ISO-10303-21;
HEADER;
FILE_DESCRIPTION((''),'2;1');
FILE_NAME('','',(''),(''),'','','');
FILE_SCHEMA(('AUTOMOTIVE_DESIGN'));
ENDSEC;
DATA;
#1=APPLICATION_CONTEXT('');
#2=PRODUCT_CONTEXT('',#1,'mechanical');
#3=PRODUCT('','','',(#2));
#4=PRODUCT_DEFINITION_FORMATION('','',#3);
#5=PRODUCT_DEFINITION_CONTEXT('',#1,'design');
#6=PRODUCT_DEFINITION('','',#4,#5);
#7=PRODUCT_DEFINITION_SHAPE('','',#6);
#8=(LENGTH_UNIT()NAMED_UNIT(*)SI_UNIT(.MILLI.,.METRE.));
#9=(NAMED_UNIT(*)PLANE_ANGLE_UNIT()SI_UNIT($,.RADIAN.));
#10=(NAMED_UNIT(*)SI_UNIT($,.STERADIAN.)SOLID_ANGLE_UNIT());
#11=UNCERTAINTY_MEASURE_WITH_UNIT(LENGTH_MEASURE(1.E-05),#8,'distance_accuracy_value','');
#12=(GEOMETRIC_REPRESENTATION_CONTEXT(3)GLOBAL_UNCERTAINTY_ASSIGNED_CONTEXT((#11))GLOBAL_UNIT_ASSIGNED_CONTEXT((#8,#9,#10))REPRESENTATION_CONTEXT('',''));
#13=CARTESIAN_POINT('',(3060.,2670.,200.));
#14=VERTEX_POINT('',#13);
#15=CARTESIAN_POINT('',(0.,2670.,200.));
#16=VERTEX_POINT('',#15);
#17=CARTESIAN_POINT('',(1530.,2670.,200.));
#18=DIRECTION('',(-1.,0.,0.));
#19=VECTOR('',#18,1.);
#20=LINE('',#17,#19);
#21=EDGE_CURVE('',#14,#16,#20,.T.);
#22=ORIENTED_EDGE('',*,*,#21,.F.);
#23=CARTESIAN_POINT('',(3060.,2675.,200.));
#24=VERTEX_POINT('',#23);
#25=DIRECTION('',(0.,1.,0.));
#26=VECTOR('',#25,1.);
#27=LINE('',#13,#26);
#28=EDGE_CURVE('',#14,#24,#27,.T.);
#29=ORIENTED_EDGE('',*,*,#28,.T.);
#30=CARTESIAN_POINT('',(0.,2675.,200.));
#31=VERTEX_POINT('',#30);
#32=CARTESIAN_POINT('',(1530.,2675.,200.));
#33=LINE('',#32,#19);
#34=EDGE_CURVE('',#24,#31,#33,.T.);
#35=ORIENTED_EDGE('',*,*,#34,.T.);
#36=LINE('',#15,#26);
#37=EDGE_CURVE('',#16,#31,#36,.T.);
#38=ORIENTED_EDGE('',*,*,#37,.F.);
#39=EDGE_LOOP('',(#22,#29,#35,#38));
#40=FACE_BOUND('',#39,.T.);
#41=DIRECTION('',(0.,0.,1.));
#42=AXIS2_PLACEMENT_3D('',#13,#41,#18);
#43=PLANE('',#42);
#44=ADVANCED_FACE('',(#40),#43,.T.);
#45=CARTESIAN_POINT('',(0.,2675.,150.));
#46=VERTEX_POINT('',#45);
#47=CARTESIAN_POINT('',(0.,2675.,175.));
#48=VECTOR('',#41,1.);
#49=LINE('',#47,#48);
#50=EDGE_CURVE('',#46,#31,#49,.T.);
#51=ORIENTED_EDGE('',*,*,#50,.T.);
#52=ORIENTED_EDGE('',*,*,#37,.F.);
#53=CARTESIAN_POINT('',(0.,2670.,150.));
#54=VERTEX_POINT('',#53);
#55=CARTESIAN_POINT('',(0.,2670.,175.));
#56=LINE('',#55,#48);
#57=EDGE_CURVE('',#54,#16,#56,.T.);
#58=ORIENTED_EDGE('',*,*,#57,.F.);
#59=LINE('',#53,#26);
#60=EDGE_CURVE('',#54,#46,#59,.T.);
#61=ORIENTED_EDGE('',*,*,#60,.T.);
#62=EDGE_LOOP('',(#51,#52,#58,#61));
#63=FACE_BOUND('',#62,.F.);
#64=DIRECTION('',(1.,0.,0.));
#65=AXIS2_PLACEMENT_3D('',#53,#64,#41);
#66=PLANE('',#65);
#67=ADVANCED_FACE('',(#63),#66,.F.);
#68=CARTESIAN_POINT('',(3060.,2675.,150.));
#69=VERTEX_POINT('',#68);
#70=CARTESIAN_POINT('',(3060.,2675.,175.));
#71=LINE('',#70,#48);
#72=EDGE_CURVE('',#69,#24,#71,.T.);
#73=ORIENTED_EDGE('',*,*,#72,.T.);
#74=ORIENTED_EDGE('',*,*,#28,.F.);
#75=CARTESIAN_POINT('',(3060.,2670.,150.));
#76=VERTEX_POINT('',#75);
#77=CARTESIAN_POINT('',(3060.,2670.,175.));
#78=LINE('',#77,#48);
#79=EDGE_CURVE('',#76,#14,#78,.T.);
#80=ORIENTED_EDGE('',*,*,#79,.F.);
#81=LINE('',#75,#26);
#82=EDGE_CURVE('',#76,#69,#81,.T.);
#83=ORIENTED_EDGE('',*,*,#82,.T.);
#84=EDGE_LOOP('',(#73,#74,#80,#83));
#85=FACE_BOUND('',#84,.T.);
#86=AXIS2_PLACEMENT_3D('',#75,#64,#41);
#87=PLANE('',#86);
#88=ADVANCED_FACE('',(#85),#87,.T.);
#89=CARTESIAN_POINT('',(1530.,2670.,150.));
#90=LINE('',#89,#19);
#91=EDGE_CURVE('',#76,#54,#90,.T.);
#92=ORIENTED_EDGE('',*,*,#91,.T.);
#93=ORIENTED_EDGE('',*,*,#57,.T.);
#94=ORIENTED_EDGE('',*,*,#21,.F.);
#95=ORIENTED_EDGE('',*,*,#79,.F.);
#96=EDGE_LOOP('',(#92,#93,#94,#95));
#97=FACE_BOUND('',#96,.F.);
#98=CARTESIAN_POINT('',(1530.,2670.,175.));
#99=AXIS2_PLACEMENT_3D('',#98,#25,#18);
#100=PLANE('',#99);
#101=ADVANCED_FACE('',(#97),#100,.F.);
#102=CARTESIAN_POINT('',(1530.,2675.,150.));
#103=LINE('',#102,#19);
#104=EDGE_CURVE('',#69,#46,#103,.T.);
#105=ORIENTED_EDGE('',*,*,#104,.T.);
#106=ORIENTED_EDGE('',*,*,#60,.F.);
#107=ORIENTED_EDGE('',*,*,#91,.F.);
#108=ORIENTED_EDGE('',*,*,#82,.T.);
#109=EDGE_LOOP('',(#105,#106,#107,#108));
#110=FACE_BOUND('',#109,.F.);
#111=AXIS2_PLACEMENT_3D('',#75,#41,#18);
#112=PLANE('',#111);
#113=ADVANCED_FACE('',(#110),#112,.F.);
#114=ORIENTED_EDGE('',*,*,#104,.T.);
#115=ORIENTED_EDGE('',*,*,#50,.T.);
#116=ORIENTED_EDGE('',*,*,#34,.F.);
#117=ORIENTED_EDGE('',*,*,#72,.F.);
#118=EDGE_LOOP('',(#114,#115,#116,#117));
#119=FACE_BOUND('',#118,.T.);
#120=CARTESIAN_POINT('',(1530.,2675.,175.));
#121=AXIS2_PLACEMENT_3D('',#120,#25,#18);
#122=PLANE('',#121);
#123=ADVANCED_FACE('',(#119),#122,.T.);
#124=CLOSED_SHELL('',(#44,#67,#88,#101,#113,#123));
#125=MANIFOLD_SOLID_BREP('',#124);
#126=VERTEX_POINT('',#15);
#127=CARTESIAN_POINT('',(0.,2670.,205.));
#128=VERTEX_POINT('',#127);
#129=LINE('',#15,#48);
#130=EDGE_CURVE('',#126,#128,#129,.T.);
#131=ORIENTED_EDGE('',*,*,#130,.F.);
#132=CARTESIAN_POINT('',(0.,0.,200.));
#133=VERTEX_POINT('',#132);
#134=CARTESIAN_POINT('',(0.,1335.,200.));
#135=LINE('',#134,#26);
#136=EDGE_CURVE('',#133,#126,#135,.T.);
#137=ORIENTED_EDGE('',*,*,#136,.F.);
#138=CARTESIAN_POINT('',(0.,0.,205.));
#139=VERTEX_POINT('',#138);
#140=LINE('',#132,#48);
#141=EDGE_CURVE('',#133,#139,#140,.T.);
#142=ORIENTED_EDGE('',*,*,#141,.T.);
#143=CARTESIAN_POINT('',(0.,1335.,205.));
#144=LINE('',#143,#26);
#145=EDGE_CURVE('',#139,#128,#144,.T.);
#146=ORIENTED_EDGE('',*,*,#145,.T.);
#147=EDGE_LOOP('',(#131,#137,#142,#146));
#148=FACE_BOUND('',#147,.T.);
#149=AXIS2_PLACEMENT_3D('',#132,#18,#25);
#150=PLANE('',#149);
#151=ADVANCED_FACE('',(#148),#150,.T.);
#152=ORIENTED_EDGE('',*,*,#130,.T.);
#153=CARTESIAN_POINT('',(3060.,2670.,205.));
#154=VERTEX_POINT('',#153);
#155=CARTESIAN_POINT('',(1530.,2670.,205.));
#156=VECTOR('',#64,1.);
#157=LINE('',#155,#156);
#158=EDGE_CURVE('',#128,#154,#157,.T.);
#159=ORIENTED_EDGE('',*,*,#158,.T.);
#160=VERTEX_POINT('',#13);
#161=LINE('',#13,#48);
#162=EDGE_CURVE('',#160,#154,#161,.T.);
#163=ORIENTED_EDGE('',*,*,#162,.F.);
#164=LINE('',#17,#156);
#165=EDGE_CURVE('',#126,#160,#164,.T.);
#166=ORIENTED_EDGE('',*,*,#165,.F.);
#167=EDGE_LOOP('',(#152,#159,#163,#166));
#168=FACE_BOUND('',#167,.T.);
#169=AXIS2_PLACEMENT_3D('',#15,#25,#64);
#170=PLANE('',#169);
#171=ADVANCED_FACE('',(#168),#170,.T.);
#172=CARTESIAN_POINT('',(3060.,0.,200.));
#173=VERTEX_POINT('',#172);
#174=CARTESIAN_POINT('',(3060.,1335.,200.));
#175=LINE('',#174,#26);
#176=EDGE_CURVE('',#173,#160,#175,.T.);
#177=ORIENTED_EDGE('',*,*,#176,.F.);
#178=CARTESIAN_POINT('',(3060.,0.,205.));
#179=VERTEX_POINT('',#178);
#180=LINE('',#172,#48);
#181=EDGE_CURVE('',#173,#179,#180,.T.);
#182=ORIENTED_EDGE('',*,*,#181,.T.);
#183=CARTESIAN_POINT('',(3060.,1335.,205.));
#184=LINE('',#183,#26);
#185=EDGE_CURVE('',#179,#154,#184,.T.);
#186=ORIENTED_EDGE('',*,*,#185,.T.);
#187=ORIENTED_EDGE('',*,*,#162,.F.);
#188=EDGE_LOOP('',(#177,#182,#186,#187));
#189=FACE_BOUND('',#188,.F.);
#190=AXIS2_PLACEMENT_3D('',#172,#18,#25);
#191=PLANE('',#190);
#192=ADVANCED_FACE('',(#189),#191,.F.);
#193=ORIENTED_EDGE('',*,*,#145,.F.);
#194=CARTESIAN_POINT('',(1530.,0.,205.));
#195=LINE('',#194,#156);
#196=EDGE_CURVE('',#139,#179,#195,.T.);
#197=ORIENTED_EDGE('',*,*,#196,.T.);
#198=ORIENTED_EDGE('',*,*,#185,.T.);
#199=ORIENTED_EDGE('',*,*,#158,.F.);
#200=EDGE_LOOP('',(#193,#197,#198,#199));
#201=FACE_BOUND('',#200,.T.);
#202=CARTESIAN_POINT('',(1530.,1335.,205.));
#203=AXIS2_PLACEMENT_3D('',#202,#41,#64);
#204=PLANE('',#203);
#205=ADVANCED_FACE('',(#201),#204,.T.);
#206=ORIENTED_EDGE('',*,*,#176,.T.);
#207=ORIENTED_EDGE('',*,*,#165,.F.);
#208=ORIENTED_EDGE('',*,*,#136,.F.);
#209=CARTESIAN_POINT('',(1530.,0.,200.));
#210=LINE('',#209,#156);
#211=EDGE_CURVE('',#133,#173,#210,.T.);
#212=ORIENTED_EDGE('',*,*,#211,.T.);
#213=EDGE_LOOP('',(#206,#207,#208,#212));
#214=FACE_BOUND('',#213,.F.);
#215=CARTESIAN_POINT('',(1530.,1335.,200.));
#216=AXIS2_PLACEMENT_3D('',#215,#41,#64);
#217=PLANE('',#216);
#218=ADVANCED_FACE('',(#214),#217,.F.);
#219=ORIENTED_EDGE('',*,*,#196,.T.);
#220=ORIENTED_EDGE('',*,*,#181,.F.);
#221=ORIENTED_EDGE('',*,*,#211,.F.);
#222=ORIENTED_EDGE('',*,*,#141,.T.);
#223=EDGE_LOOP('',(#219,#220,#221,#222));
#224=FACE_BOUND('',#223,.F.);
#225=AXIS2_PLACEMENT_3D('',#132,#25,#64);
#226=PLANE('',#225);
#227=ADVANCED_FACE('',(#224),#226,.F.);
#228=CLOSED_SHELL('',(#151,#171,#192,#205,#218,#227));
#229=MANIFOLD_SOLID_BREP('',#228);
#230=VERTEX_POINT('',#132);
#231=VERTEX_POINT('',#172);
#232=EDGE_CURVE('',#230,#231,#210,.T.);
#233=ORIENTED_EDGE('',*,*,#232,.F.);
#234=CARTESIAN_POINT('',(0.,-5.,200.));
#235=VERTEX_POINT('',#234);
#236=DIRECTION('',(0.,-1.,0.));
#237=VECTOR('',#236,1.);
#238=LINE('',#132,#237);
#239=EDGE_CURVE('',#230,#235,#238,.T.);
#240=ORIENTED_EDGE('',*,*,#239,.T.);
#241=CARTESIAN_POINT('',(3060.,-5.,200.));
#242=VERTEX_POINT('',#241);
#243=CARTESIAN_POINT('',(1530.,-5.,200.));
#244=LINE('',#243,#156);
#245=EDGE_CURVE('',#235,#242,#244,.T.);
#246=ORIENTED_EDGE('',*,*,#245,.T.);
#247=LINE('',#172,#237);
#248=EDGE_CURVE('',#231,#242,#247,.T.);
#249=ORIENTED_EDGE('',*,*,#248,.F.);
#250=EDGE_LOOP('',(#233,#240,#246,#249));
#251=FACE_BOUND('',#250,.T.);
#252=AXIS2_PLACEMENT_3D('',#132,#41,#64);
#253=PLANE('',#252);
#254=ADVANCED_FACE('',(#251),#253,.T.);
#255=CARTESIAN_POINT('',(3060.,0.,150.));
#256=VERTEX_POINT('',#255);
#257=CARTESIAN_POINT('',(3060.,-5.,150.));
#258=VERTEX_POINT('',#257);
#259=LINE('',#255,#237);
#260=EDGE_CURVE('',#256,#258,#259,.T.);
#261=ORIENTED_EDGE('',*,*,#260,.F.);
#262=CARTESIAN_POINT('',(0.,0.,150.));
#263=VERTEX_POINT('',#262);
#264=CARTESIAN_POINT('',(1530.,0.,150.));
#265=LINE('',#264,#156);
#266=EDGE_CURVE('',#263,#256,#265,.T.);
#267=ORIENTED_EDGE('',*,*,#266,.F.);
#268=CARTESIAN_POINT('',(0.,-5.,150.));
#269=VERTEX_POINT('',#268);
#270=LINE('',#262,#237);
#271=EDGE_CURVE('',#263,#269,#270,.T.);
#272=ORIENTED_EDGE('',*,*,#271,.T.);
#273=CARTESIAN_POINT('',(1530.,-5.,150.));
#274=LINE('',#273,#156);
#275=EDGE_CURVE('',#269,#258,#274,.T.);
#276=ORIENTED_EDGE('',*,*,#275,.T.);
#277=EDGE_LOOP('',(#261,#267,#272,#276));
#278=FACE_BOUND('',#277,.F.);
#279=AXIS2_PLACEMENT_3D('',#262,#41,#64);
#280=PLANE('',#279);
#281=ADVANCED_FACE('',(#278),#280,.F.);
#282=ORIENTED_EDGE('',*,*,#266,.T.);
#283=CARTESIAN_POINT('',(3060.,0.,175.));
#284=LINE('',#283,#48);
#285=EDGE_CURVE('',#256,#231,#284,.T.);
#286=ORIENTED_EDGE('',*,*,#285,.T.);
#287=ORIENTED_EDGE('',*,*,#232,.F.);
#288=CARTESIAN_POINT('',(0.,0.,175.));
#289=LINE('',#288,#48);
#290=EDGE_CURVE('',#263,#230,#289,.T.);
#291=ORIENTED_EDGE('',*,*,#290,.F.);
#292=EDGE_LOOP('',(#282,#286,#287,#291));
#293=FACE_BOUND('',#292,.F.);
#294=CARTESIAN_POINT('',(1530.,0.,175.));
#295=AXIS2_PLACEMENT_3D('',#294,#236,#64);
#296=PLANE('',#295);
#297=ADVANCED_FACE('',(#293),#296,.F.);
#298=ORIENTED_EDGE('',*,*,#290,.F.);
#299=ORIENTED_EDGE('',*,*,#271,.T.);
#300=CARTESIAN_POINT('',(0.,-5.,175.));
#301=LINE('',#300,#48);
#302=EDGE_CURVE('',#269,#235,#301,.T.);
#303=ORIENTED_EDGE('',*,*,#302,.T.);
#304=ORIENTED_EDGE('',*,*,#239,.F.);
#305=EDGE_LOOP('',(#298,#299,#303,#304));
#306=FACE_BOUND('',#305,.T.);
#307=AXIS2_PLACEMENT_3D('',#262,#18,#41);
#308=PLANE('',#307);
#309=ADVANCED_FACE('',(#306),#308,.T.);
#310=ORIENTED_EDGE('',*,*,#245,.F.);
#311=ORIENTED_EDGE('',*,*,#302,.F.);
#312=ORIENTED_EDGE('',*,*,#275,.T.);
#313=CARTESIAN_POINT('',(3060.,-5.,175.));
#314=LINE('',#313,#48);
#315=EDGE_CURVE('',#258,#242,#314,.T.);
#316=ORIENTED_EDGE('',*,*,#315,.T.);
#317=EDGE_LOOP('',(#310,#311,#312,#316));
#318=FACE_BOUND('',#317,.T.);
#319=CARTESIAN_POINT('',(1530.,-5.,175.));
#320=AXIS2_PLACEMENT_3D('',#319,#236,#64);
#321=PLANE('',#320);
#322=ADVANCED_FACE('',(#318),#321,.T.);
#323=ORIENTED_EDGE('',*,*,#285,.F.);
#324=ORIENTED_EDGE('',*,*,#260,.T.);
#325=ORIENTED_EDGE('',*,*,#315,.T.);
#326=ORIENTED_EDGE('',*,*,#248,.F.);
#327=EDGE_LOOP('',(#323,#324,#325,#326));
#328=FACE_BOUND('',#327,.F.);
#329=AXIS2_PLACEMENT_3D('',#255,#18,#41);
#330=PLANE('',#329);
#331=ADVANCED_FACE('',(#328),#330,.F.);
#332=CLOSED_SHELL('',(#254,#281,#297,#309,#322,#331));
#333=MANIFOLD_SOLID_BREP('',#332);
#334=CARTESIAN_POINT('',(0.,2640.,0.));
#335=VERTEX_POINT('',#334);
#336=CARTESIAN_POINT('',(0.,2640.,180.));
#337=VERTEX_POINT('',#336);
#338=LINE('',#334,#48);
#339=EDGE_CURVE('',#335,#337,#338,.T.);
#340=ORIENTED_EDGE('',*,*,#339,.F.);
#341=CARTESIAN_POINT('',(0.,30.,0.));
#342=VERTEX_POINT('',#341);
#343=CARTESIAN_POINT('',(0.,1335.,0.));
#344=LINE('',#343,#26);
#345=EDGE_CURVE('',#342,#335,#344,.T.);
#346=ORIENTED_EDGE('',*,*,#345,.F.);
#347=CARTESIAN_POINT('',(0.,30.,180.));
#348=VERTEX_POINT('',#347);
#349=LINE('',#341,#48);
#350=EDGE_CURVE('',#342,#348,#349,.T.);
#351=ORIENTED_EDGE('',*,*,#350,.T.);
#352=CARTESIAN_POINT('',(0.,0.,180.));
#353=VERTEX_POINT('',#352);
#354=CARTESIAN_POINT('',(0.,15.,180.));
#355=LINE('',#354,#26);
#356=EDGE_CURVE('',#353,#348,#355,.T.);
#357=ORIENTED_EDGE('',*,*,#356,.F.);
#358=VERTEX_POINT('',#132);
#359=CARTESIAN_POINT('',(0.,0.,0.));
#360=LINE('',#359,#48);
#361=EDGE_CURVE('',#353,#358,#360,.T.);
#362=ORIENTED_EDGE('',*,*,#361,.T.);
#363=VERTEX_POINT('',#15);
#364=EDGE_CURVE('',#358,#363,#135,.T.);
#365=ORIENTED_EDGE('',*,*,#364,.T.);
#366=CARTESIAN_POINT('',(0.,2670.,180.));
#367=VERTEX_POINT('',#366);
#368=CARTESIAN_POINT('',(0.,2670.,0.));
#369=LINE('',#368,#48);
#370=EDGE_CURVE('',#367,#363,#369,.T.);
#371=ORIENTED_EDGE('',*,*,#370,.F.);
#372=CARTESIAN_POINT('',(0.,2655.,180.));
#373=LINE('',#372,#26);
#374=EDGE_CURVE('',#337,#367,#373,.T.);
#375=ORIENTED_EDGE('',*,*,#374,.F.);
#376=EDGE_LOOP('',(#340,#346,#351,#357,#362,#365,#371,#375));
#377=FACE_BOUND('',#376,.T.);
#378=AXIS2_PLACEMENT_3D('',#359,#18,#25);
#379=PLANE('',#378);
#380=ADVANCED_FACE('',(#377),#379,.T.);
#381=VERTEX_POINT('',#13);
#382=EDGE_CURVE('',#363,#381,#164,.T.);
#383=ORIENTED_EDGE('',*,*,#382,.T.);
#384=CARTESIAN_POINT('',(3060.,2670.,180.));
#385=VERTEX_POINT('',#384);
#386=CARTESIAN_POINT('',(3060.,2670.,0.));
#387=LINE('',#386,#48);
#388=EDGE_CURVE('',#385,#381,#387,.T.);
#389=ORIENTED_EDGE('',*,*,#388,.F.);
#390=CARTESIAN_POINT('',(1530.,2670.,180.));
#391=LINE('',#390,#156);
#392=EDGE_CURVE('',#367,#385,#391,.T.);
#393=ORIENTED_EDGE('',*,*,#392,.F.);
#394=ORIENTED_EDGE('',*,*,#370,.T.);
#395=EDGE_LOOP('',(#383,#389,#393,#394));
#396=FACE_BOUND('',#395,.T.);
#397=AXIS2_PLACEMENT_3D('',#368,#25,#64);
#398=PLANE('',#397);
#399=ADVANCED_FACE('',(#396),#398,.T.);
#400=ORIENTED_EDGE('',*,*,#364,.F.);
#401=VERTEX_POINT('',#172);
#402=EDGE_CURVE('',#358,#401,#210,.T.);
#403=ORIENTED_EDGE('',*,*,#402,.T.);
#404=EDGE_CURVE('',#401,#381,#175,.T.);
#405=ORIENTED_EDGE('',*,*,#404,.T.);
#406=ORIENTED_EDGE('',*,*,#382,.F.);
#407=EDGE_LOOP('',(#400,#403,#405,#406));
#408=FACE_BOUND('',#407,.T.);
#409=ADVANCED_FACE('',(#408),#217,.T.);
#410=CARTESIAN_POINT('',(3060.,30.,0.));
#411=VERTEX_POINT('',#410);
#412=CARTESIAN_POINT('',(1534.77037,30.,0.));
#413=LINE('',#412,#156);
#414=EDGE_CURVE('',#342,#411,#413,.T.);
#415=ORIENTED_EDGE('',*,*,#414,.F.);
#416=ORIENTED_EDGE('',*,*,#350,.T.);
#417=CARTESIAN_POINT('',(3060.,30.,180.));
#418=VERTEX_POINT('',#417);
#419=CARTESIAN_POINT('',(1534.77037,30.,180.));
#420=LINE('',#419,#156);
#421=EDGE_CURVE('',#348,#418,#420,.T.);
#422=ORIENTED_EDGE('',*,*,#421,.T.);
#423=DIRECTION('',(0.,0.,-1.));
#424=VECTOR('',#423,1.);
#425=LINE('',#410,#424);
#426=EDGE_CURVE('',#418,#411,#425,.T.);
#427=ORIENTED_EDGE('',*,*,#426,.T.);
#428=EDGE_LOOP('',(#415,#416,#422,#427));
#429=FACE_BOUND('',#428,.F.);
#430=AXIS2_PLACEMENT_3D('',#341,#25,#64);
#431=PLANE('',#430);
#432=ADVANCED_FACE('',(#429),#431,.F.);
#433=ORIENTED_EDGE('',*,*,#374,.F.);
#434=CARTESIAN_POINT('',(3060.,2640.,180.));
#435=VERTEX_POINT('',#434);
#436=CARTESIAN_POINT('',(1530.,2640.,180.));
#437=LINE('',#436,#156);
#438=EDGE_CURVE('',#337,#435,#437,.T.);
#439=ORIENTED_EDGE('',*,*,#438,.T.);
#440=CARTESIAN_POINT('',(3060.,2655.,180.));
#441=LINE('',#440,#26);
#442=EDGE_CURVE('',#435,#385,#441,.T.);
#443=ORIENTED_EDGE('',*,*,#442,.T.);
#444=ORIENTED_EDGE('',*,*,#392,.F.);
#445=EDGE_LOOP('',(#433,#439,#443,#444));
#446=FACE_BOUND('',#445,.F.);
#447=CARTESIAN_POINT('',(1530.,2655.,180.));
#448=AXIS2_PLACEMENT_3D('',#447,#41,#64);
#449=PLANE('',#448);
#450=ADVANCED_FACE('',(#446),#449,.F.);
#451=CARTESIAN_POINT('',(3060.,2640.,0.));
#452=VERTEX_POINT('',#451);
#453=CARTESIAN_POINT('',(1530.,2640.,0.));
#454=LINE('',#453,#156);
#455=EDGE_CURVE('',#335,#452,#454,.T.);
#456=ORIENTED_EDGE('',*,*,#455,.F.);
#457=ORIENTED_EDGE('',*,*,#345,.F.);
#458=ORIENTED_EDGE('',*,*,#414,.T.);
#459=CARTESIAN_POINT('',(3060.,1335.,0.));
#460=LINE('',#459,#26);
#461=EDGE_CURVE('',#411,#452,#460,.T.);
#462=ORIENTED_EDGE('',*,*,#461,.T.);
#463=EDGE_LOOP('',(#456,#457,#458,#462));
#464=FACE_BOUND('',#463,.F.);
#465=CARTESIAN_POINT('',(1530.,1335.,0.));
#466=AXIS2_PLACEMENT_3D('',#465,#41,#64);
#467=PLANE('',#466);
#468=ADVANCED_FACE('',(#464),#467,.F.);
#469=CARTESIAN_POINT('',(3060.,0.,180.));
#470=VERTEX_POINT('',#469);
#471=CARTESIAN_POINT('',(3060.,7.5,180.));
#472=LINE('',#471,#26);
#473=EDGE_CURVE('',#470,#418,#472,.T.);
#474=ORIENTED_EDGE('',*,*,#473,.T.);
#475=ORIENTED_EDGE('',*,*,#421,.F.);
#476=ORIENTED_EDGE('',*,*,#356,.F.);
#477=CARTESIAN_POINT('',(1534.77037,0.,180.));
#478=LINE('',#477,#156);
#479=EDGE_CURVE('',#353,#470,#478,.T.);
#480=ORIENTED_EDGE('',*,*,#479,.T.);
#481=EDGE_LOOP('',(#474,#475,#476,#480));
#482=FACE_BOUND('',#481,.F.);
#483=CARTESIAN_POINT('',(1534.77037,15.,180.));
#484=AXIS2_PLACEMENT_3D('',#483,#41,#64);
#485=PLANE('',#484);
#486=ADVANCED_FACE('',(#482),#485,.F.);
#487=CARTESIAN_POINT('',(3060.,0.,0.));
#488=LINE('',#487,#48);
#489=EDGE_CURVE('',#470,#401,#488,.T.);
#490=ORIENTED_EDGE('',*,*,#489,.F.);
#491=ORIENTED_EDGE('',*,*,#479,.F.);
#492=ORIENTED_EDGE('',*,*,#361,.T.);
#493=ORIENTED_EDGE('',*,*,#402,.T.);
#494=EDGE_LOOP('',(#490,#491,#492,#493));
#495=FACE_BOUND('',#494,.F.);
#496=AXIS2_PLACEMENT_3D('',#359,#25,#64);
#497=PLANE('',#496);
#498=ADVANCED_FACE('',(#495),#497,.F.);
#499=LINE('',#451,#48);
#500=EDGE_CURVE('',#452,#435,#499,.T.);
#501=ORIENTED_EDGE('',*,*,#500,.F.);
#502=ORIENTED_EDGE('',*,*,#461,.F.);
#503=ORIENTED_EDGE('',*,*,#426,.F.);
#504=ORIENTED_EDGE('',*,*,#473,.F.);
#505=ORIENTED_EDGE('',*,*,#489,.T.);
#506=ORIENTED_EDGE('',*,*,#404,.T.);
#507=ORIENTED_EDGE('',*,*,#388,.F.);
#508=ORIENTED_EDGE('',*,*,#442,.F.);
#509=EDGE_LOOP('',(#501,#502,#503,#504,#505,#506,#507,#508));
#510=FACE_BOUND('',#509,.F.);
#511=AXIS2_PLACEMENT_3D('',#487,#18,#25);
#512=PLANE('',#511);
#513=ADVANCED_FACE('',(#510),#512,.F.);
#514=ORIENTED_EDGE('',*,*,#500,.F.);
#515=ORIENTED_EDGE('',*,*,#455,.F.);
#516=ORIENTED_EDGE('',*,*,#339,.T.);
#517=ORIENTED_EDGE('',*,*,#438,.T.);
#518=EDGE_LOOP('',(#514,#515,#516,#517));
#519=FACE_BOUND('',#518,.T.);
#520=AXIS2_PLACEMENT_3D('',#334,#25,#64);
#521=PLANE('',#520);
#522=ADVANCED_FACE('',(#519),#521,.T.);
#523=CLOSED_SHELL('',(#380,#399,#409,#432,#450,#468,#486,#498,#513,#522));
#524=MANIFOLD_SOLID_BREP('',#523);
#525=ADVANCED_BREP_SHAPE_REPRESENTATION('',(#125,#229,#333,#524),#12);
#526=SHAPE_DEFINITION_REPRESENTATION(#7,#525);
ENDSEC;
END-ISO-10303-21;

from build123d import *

# Parameters (mm, degrees)
F0_W      = 3060
F0_H      = 2670
F1_DEPTH  = 200
F3_W      = 3060
F3_H      = 2670
F4_DEPTH  = 5
F6_W      = 3060
F6_H      = 30
F6_W_2    = 3069.5407390594
F7_DEPTH  = 180
F8_W      = 3060
F8_H      = 50
F9_DEPTH  = 5
F10_W     = 3060
F10_H     = 50
F11_DEPTH = 5


with BuildPart() as f1:
    # F0 (on Top) → F1 (new body)
    with BuildSketch(Plane.XY):
        with Locations((1530, 1335)):
            Rectangle(F0_W, F0_H)
    extrude(amount=F1_DEPTH)

    # F6 (on Top) → F7 (cut, through all)
    with BuildSketch(Plane.XY):
        with Locations((1530, 2655)):
            Rectangle(F6_W, F6_H)
        with Locations((1534.7703695297, 15)):
            Rectangle(F6_W_2, F6_H)
    extrude(amount=F7_DEPTH, mode=Mode.SUBTRACT)


with BuildPart() as f4:
    # F3 (on face) → F4 (new body)
    with BuildSketch(Plane.XY.offset(200)):
        with Locations((1530, 1335)):
            Rectangle(F3_W, F3_H)
    extrude(amount=F4_DEPTH)


with BuildPart() as f9:
    # F8 (on face) → F9 (new body)
    with BuildSketch(Plane(origin=(0, 2670, 0), x_dir=(-1, 0, 0), z_dir=(0, 1, 0))):
        with Locations((-1530, 175)):
            Rectangle(F8_W, F8_H)
    extrude(amount=F9_DEPTH)


with BuildPart() as f11:
    # F10 (on face) → F11 (new body)
    with BuildSketch(Plane.XZ):
        with Locations((1530, 175)):
            Rectangle(F10_W, F10_H)
    extrude(amount=F11_DEPTH)


solid = Compound([f1.part, f4.part, f9.part, f11.part])
